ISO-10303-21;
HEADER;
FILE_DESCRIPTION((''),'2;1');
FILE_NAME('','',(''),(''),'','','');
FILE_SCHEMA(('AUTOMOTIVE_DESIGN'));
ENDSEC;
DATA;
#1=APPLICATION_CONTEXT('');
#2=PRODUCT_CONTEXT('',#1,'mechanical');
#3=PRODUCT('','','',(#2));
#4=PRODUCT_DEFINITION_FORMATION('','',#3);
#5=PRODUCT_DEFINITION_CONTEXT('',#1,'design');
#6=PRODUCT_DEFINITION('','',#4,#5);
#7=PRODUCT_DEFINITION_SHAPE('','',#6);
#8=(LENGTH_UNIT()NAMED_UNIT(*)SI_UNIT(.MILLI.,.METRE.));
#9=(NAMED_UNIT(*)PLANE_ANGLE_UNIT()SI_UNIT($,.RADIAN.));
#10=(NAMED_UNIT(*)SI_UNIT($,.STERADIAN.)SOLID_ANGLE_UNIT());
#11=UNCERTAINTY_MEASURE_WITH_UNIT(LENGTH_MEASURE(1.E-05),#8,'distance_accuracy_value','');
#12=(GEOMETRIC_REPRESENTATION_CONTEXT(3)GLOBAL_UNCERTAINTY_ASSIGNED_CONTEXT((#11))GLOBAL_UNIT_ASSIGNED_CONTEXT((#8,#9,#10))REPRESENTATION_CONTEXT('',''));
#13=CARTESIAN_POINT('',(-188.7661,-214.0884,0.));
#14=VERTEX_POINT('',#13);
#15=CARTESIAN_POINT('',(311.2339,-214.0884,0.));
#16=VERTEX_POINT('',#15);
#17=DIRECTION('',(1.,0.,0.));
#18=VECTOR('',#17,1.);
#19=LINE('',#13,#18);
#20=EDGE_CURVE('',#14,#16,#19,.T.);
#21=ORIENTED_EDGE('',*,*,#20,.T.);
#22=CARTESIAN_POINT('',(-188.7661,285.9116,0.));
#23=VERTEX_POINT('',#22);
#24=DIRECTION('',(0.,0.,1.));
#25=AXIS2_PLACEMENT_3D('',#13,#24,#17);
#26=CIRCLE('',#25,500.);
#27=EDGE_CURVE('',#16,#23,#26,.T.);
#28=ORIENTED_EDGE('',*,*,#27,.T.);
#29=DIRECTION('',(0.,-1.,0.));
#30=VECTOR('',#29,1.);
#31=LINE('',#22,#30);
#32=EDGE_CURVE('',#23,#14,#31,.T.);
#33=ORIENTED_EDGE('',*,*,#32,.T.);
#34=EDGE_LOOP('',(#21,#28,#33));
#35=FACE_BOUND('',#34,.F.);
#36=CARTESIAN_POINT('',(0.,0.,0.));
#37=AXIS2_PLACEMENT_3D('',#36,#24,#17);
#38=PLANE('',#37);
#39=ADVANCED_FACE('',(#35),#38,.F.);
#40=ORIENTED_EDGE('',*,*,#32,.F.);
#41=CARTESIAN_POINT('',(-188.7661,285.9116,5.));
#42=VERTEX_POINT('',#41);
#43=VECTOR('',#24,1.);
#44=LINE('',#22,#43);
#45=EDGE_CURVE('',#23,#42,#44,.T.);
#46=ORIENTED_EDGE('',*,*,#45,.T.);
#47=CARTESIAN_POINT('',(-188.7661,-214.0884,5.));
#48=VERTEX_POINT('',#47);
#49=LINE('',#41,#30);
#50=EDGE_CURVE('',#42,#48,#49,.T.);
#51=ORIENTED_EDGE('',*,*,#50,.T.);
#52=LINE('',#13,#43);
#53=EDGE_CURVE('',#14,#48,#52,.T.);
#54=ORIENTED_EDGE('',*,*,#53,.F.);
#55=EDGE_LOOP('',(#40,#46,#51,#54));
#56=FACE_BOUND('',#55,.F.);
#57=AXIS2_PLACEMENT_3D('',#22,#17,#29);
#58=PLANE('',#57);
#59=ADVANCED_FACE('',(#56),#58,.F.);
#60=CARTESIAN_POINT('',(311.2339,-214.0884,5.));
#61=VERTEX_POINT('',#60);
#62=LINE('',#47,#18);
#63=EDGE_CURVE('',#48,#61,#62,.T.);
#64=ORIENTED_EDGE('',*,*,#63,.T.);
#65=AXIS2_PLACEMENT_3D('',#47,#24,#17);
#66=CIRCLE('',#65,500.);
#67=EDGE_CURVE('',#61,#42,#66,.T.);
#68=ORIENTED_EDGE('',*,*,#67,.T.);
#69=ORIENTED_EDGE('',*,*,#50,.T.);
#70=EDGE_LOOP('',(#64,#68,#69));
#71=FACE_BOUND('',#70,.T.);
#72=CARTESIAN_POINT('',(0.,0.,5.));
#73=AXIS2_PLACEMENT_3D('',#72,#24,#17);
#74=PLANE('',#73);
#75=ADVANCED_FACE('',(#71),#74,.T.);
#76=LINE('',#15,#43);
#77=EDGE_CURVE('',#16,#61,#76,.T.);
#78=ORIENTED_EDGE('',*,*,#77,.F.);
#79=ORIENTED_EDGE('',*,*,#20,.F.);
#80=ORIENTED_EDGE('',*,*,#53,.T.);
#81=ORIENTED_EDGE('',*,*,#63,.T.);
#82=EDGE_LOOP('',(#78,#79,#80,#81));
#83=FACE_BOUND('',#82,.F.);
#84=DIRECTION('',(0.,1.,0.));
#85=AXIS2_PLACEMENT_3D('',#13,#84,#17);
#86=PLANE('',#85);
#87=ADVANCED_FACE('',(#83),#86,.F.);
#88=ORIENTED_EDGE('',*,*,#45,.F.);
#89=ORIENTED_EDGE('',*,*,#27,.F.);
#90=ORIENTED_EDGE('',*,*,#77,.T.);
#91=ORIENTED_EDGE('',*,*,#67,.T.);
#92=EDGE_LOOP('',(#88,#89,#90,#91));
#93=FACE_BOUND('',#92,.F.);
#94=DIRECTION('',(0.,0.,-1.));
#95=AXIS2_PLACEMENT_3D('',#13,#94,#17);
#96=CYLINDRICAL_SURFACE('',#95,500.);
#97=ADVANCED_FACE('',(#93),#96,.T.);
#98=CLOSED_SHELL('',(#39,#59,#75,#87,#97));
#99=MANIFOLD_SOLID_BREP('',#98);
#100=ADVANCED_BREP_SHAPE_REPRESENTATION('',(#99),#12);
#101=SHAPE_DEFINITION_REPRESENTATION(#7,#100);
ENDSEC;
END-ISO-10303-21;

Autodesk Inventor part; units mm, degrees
ref_plane "YZ Plane" through (0, 0, 0) normal (1, 0, 0) x (0, 1, 0)
ref_plane "XZ Plane" through (0, 0, 0) normal (0, 1, 0) x (-1, 0, 0)
ref_plane "XY Plane" through (0, 0, 0) normal (0, 0, 1) x (1, 0, 0)
sketch "草图1" plane through (0, 0, 0) normal (0, 0, 1) x (1, 0, 0)
  line L0 (-188.7661, 285.9116) -> (-188.7661, -214.0884)
  line L1 (-188.7661, -214.0884) -> (311.2339, -214.0884)
  arc A0 (311.2339, -214.0884) -> (-188.7661, 285.9116) centre (-188.7661, -214.0884) ccw
  point P0 (0, 0)
  dimension "d0" = 500
  dimension "d1" = 500
  dimension "d2" = 90
  dimension "d3" = 500
extrude "拉伸1" add sketch "草图1" along normal blind 5
properties part number "Black Glass Corner Piece" material "玻璃"
